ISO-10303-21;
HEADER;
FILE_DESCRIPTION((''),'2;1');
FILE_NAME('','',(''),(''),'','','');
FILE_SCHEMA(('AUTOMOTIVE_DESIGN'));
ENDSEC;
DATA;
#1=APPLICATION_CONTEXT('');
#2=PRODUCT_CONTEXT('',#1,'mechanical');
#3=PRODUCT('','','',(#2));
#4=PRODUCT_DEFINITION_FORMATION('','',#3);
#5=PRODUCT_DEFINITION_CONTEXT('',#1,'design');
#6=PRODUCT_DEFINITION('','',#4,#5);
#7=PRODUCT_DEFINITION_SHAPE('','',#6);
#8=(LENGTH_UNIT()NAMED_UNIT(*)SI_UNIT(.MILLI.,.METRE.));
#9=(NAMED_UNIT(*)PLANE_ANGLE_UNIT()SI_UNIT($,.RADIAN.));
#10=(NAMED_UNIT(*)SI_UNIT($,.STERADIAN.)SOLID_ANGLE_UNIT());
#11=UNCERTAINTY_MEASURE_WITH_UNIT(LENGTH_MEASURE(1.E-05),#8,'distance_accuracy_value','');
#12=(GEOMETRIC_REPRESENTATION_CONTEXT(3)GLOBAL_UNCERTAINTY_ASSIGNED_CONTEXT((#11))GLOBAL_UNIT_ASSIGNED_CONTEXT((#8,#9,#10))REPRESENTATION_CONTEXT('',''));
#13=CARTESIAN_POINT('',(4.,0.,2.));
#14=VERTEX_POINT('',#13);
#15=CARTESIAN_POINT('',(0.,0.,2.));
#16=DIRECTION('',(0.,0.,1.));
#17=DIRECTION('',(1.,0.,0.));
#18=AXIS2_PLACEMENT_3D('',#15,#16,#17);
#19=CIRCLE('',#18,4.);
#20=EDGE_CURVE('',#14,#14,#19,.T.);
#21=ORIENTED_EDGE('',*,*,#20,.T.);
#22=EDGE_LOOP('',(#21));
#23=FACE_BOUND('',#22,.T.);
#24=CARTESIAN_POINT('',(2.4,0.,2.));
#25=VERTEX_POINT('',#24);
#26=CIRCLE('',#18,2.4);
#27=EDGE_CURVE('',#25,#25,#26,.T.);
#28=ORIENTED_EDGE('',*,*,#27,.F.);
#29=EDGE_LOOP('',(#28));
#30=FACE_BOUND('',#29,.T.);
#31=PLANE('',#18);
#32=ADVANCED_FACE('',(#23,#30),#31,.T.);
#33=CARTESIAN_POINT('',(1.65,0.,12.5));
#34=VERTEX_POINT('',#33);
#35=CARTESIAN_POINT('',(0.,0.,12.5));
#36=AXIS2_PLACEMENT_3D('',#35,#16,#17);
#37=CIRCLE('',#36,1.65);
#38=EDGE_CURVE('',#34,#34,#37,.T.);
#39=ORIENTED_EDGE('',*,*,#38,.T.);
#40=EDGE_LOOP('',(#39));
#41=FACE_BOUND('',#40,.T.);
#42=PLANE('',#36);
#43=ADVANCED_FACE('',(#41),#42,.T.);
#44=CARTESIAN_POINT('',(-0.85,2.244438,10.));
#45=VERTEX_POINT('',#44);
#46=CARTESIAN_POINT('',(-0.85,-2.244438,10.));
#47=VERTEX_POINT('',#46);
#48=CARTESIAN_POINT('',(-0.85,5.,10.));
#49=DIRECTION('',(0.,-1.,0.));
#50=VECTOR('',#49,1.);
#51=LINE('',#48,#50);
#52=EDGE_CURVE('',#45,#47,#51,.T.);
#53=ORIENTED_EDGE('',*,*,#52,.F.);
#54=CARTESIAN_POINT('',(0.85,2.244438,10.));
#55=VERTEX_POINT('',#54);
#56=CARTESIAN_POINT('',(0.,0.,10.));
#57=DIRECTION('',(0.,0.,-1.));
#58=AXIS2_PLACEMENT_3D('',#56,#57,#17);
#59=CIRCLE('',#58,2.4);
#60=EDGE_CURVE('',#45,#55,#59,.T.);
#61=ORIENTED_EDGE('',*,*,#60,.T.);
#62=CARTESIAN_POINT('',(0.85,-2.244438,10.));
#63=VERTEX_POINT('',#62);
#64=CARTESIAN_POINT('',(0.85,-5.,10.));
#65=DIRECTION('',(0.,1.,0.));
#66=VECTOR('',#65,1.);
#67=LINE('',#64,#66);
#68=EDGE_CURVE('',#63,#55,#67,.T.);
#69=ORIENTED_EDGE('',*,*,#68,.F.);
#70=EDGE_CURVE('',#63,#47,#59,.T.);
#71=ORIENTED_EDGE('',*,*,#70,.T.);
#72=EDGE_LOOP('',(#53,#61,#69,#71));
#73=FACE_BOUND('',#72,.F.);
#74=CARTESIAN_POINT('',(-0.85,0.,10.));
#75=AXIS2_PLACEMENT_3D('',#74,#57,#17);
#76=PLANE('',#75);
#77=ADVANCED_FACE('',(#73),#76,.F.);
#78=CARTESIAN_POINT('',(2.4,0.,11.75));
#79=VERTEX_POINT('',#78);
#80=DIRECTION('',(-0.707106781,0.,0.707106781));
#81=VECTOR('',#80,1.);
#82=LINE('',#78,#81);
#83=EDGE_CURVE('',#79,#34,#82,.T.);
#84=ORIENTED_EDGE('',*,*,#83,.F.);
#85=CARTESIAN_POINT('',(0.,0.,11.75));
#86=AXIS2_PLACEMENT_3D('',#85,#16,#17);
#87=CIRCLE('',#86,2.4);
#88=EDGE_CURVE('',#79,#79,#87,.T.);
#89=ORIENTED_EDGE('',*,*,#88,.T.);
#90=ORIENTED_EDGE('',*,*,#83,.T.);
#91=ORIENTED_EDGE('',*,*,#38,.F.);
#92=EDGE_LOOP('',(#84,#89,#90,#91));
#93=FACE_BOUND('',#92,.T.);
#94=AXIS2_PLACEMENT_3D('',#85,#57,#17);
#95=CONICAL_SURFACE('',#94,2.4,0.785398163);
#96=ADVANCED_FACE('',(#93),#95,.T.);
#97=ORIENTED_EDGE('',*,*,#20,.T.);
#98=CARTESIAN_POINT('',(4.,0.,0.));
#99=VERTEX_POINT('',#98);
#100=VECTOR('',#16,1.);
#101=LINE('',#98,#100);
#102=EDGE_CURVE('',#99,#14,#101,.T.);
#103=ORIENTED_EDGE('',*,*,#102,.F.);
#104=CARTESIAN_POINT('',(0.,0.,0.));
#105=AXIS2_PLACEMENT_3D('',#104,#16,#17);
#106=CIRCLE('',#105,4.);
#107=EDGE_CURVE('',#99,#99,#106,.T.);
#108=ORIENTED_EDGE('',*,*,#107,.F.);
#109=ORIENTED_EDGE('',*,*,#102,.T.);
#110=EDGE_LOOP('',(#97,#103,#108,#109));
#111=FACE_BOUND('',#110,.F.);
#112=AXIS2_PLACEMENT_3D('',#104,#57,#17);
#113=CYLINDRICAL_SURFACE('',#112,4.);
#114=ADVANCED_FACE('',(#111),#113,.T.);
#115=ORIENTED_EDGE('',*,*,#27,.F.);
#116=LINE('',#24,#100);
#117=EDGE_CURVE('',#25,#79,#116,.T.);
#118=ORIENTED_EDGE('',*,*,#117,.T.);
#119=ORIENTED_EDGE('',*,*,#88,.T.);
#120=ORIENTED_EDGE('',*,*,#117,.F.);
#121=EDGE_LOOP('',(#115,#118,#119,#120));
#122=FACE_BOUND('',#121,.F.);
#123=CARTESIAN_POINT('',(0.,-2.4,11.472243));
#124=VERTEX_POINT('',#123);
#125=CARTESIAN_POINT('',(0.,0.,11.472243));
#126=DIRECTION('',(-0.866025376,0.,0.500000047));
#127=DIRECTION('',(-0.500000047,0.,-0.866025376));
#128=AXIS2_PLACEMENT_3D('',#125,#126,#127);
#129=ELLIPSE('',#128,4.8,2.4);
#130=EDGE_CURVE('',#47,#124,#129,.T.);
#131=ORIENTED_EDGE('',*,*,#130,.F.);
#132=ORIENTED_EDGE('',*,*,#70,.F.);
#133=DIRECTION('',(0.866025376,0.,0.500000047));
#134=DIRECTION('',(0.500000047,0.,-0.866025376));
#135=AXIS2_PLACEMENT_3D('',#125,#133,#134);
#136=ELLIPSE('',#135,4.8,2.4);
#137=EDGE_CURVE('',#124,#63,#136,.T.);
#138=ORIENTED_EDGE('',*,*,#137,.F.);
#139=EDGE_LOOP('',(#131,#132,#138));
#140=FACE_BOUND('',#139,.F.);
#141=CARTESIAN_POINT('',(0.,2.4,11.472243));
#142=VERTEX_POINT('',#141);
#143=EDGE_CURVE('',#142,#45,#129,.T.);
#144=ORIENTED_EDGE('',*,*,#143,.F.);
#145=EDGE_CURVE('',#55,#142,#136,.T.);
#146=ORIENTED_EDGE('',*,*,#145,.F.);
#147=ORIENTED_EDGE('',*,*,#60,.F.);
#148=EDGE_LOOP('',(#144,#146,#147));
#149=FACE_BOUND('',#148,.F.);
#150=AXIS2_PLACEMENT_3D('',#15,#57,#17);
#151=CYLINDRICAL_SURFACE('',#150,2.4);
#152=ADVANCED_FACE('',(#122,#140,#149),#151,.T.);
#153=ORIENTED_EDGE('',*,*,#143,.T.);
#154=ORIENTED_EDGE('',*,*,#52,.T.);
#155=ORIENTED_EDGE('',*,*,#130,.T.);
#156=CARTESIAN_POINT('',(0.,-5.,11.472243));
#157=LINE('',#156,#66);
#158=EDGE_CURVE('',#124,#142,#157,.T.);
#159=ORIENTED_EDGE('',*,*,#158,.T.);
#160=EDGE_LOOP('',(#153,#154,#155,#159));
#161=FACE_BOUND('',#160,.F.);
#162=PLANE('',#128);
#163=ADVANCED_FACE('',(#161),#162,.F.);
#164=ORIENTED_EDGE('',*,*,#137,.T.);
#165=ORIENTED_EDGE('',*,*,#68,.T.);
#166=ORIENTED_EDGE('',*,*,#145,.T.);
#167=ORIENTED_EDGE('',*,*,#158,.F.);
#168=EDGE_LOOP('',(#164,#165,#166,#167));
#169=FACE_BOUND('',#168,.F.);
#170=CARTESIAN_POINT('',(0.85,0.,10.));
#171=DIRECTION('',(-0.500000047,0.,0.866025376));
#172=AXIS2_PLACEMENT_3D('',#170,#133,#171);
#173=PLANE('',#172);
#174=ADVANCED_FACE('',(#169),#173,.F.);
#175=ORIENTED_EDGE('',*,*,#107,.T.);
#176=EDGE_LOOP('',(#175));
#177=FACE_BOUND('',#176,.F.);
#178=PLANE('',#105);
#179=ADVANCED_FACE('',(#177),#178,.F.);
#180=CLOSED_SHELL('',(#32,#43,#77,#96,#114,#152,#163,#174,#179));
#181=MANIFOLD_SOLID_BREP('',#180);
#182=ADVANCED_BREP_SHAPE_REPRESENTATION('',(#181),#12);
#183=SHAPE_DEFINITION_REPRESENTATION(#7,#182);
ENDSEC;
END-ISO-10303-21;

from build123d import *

# Parameters (mm, degrees)
F0_R     = 4
F1_DEPTH = 2
F2_R     = 2.4
F3_DEPTH = 10.5
F5_DEPTH = 5
F6_SIZE  = 0.75


with BuildPart() as f1:
    # F0 (on Top) → F1 (new body)
    with BuildSketch(Plane.XY):
        Circle(F0_R)
    extrude(amount=F1_DEPTH)

    # F2 (on face) → F3 (join)
    with BuildSketch(Plane.XY.offset(2)):
        Circle(F2_R)
    extrude(amount=F3_DEPTH)

    # F4 (on Front) → F5 (cut, symmetric)
    with BuildSketch(Plane.XZ):
        Polygon((0, 11.472243), (-0.85, 10), (0.85, 10), align=None)
    extrude(amount=F5_DEPTH, both=True, mode=Mode.SUBTRACT)

    # F6
    f6_edges = [f1.edges().sort_by_distance(p)[0] for p in [
        (-2.4, 0, 12.5),
    ]]
    chamfer(f6_edges, length=F6_SIZE)


solid = f1.part
